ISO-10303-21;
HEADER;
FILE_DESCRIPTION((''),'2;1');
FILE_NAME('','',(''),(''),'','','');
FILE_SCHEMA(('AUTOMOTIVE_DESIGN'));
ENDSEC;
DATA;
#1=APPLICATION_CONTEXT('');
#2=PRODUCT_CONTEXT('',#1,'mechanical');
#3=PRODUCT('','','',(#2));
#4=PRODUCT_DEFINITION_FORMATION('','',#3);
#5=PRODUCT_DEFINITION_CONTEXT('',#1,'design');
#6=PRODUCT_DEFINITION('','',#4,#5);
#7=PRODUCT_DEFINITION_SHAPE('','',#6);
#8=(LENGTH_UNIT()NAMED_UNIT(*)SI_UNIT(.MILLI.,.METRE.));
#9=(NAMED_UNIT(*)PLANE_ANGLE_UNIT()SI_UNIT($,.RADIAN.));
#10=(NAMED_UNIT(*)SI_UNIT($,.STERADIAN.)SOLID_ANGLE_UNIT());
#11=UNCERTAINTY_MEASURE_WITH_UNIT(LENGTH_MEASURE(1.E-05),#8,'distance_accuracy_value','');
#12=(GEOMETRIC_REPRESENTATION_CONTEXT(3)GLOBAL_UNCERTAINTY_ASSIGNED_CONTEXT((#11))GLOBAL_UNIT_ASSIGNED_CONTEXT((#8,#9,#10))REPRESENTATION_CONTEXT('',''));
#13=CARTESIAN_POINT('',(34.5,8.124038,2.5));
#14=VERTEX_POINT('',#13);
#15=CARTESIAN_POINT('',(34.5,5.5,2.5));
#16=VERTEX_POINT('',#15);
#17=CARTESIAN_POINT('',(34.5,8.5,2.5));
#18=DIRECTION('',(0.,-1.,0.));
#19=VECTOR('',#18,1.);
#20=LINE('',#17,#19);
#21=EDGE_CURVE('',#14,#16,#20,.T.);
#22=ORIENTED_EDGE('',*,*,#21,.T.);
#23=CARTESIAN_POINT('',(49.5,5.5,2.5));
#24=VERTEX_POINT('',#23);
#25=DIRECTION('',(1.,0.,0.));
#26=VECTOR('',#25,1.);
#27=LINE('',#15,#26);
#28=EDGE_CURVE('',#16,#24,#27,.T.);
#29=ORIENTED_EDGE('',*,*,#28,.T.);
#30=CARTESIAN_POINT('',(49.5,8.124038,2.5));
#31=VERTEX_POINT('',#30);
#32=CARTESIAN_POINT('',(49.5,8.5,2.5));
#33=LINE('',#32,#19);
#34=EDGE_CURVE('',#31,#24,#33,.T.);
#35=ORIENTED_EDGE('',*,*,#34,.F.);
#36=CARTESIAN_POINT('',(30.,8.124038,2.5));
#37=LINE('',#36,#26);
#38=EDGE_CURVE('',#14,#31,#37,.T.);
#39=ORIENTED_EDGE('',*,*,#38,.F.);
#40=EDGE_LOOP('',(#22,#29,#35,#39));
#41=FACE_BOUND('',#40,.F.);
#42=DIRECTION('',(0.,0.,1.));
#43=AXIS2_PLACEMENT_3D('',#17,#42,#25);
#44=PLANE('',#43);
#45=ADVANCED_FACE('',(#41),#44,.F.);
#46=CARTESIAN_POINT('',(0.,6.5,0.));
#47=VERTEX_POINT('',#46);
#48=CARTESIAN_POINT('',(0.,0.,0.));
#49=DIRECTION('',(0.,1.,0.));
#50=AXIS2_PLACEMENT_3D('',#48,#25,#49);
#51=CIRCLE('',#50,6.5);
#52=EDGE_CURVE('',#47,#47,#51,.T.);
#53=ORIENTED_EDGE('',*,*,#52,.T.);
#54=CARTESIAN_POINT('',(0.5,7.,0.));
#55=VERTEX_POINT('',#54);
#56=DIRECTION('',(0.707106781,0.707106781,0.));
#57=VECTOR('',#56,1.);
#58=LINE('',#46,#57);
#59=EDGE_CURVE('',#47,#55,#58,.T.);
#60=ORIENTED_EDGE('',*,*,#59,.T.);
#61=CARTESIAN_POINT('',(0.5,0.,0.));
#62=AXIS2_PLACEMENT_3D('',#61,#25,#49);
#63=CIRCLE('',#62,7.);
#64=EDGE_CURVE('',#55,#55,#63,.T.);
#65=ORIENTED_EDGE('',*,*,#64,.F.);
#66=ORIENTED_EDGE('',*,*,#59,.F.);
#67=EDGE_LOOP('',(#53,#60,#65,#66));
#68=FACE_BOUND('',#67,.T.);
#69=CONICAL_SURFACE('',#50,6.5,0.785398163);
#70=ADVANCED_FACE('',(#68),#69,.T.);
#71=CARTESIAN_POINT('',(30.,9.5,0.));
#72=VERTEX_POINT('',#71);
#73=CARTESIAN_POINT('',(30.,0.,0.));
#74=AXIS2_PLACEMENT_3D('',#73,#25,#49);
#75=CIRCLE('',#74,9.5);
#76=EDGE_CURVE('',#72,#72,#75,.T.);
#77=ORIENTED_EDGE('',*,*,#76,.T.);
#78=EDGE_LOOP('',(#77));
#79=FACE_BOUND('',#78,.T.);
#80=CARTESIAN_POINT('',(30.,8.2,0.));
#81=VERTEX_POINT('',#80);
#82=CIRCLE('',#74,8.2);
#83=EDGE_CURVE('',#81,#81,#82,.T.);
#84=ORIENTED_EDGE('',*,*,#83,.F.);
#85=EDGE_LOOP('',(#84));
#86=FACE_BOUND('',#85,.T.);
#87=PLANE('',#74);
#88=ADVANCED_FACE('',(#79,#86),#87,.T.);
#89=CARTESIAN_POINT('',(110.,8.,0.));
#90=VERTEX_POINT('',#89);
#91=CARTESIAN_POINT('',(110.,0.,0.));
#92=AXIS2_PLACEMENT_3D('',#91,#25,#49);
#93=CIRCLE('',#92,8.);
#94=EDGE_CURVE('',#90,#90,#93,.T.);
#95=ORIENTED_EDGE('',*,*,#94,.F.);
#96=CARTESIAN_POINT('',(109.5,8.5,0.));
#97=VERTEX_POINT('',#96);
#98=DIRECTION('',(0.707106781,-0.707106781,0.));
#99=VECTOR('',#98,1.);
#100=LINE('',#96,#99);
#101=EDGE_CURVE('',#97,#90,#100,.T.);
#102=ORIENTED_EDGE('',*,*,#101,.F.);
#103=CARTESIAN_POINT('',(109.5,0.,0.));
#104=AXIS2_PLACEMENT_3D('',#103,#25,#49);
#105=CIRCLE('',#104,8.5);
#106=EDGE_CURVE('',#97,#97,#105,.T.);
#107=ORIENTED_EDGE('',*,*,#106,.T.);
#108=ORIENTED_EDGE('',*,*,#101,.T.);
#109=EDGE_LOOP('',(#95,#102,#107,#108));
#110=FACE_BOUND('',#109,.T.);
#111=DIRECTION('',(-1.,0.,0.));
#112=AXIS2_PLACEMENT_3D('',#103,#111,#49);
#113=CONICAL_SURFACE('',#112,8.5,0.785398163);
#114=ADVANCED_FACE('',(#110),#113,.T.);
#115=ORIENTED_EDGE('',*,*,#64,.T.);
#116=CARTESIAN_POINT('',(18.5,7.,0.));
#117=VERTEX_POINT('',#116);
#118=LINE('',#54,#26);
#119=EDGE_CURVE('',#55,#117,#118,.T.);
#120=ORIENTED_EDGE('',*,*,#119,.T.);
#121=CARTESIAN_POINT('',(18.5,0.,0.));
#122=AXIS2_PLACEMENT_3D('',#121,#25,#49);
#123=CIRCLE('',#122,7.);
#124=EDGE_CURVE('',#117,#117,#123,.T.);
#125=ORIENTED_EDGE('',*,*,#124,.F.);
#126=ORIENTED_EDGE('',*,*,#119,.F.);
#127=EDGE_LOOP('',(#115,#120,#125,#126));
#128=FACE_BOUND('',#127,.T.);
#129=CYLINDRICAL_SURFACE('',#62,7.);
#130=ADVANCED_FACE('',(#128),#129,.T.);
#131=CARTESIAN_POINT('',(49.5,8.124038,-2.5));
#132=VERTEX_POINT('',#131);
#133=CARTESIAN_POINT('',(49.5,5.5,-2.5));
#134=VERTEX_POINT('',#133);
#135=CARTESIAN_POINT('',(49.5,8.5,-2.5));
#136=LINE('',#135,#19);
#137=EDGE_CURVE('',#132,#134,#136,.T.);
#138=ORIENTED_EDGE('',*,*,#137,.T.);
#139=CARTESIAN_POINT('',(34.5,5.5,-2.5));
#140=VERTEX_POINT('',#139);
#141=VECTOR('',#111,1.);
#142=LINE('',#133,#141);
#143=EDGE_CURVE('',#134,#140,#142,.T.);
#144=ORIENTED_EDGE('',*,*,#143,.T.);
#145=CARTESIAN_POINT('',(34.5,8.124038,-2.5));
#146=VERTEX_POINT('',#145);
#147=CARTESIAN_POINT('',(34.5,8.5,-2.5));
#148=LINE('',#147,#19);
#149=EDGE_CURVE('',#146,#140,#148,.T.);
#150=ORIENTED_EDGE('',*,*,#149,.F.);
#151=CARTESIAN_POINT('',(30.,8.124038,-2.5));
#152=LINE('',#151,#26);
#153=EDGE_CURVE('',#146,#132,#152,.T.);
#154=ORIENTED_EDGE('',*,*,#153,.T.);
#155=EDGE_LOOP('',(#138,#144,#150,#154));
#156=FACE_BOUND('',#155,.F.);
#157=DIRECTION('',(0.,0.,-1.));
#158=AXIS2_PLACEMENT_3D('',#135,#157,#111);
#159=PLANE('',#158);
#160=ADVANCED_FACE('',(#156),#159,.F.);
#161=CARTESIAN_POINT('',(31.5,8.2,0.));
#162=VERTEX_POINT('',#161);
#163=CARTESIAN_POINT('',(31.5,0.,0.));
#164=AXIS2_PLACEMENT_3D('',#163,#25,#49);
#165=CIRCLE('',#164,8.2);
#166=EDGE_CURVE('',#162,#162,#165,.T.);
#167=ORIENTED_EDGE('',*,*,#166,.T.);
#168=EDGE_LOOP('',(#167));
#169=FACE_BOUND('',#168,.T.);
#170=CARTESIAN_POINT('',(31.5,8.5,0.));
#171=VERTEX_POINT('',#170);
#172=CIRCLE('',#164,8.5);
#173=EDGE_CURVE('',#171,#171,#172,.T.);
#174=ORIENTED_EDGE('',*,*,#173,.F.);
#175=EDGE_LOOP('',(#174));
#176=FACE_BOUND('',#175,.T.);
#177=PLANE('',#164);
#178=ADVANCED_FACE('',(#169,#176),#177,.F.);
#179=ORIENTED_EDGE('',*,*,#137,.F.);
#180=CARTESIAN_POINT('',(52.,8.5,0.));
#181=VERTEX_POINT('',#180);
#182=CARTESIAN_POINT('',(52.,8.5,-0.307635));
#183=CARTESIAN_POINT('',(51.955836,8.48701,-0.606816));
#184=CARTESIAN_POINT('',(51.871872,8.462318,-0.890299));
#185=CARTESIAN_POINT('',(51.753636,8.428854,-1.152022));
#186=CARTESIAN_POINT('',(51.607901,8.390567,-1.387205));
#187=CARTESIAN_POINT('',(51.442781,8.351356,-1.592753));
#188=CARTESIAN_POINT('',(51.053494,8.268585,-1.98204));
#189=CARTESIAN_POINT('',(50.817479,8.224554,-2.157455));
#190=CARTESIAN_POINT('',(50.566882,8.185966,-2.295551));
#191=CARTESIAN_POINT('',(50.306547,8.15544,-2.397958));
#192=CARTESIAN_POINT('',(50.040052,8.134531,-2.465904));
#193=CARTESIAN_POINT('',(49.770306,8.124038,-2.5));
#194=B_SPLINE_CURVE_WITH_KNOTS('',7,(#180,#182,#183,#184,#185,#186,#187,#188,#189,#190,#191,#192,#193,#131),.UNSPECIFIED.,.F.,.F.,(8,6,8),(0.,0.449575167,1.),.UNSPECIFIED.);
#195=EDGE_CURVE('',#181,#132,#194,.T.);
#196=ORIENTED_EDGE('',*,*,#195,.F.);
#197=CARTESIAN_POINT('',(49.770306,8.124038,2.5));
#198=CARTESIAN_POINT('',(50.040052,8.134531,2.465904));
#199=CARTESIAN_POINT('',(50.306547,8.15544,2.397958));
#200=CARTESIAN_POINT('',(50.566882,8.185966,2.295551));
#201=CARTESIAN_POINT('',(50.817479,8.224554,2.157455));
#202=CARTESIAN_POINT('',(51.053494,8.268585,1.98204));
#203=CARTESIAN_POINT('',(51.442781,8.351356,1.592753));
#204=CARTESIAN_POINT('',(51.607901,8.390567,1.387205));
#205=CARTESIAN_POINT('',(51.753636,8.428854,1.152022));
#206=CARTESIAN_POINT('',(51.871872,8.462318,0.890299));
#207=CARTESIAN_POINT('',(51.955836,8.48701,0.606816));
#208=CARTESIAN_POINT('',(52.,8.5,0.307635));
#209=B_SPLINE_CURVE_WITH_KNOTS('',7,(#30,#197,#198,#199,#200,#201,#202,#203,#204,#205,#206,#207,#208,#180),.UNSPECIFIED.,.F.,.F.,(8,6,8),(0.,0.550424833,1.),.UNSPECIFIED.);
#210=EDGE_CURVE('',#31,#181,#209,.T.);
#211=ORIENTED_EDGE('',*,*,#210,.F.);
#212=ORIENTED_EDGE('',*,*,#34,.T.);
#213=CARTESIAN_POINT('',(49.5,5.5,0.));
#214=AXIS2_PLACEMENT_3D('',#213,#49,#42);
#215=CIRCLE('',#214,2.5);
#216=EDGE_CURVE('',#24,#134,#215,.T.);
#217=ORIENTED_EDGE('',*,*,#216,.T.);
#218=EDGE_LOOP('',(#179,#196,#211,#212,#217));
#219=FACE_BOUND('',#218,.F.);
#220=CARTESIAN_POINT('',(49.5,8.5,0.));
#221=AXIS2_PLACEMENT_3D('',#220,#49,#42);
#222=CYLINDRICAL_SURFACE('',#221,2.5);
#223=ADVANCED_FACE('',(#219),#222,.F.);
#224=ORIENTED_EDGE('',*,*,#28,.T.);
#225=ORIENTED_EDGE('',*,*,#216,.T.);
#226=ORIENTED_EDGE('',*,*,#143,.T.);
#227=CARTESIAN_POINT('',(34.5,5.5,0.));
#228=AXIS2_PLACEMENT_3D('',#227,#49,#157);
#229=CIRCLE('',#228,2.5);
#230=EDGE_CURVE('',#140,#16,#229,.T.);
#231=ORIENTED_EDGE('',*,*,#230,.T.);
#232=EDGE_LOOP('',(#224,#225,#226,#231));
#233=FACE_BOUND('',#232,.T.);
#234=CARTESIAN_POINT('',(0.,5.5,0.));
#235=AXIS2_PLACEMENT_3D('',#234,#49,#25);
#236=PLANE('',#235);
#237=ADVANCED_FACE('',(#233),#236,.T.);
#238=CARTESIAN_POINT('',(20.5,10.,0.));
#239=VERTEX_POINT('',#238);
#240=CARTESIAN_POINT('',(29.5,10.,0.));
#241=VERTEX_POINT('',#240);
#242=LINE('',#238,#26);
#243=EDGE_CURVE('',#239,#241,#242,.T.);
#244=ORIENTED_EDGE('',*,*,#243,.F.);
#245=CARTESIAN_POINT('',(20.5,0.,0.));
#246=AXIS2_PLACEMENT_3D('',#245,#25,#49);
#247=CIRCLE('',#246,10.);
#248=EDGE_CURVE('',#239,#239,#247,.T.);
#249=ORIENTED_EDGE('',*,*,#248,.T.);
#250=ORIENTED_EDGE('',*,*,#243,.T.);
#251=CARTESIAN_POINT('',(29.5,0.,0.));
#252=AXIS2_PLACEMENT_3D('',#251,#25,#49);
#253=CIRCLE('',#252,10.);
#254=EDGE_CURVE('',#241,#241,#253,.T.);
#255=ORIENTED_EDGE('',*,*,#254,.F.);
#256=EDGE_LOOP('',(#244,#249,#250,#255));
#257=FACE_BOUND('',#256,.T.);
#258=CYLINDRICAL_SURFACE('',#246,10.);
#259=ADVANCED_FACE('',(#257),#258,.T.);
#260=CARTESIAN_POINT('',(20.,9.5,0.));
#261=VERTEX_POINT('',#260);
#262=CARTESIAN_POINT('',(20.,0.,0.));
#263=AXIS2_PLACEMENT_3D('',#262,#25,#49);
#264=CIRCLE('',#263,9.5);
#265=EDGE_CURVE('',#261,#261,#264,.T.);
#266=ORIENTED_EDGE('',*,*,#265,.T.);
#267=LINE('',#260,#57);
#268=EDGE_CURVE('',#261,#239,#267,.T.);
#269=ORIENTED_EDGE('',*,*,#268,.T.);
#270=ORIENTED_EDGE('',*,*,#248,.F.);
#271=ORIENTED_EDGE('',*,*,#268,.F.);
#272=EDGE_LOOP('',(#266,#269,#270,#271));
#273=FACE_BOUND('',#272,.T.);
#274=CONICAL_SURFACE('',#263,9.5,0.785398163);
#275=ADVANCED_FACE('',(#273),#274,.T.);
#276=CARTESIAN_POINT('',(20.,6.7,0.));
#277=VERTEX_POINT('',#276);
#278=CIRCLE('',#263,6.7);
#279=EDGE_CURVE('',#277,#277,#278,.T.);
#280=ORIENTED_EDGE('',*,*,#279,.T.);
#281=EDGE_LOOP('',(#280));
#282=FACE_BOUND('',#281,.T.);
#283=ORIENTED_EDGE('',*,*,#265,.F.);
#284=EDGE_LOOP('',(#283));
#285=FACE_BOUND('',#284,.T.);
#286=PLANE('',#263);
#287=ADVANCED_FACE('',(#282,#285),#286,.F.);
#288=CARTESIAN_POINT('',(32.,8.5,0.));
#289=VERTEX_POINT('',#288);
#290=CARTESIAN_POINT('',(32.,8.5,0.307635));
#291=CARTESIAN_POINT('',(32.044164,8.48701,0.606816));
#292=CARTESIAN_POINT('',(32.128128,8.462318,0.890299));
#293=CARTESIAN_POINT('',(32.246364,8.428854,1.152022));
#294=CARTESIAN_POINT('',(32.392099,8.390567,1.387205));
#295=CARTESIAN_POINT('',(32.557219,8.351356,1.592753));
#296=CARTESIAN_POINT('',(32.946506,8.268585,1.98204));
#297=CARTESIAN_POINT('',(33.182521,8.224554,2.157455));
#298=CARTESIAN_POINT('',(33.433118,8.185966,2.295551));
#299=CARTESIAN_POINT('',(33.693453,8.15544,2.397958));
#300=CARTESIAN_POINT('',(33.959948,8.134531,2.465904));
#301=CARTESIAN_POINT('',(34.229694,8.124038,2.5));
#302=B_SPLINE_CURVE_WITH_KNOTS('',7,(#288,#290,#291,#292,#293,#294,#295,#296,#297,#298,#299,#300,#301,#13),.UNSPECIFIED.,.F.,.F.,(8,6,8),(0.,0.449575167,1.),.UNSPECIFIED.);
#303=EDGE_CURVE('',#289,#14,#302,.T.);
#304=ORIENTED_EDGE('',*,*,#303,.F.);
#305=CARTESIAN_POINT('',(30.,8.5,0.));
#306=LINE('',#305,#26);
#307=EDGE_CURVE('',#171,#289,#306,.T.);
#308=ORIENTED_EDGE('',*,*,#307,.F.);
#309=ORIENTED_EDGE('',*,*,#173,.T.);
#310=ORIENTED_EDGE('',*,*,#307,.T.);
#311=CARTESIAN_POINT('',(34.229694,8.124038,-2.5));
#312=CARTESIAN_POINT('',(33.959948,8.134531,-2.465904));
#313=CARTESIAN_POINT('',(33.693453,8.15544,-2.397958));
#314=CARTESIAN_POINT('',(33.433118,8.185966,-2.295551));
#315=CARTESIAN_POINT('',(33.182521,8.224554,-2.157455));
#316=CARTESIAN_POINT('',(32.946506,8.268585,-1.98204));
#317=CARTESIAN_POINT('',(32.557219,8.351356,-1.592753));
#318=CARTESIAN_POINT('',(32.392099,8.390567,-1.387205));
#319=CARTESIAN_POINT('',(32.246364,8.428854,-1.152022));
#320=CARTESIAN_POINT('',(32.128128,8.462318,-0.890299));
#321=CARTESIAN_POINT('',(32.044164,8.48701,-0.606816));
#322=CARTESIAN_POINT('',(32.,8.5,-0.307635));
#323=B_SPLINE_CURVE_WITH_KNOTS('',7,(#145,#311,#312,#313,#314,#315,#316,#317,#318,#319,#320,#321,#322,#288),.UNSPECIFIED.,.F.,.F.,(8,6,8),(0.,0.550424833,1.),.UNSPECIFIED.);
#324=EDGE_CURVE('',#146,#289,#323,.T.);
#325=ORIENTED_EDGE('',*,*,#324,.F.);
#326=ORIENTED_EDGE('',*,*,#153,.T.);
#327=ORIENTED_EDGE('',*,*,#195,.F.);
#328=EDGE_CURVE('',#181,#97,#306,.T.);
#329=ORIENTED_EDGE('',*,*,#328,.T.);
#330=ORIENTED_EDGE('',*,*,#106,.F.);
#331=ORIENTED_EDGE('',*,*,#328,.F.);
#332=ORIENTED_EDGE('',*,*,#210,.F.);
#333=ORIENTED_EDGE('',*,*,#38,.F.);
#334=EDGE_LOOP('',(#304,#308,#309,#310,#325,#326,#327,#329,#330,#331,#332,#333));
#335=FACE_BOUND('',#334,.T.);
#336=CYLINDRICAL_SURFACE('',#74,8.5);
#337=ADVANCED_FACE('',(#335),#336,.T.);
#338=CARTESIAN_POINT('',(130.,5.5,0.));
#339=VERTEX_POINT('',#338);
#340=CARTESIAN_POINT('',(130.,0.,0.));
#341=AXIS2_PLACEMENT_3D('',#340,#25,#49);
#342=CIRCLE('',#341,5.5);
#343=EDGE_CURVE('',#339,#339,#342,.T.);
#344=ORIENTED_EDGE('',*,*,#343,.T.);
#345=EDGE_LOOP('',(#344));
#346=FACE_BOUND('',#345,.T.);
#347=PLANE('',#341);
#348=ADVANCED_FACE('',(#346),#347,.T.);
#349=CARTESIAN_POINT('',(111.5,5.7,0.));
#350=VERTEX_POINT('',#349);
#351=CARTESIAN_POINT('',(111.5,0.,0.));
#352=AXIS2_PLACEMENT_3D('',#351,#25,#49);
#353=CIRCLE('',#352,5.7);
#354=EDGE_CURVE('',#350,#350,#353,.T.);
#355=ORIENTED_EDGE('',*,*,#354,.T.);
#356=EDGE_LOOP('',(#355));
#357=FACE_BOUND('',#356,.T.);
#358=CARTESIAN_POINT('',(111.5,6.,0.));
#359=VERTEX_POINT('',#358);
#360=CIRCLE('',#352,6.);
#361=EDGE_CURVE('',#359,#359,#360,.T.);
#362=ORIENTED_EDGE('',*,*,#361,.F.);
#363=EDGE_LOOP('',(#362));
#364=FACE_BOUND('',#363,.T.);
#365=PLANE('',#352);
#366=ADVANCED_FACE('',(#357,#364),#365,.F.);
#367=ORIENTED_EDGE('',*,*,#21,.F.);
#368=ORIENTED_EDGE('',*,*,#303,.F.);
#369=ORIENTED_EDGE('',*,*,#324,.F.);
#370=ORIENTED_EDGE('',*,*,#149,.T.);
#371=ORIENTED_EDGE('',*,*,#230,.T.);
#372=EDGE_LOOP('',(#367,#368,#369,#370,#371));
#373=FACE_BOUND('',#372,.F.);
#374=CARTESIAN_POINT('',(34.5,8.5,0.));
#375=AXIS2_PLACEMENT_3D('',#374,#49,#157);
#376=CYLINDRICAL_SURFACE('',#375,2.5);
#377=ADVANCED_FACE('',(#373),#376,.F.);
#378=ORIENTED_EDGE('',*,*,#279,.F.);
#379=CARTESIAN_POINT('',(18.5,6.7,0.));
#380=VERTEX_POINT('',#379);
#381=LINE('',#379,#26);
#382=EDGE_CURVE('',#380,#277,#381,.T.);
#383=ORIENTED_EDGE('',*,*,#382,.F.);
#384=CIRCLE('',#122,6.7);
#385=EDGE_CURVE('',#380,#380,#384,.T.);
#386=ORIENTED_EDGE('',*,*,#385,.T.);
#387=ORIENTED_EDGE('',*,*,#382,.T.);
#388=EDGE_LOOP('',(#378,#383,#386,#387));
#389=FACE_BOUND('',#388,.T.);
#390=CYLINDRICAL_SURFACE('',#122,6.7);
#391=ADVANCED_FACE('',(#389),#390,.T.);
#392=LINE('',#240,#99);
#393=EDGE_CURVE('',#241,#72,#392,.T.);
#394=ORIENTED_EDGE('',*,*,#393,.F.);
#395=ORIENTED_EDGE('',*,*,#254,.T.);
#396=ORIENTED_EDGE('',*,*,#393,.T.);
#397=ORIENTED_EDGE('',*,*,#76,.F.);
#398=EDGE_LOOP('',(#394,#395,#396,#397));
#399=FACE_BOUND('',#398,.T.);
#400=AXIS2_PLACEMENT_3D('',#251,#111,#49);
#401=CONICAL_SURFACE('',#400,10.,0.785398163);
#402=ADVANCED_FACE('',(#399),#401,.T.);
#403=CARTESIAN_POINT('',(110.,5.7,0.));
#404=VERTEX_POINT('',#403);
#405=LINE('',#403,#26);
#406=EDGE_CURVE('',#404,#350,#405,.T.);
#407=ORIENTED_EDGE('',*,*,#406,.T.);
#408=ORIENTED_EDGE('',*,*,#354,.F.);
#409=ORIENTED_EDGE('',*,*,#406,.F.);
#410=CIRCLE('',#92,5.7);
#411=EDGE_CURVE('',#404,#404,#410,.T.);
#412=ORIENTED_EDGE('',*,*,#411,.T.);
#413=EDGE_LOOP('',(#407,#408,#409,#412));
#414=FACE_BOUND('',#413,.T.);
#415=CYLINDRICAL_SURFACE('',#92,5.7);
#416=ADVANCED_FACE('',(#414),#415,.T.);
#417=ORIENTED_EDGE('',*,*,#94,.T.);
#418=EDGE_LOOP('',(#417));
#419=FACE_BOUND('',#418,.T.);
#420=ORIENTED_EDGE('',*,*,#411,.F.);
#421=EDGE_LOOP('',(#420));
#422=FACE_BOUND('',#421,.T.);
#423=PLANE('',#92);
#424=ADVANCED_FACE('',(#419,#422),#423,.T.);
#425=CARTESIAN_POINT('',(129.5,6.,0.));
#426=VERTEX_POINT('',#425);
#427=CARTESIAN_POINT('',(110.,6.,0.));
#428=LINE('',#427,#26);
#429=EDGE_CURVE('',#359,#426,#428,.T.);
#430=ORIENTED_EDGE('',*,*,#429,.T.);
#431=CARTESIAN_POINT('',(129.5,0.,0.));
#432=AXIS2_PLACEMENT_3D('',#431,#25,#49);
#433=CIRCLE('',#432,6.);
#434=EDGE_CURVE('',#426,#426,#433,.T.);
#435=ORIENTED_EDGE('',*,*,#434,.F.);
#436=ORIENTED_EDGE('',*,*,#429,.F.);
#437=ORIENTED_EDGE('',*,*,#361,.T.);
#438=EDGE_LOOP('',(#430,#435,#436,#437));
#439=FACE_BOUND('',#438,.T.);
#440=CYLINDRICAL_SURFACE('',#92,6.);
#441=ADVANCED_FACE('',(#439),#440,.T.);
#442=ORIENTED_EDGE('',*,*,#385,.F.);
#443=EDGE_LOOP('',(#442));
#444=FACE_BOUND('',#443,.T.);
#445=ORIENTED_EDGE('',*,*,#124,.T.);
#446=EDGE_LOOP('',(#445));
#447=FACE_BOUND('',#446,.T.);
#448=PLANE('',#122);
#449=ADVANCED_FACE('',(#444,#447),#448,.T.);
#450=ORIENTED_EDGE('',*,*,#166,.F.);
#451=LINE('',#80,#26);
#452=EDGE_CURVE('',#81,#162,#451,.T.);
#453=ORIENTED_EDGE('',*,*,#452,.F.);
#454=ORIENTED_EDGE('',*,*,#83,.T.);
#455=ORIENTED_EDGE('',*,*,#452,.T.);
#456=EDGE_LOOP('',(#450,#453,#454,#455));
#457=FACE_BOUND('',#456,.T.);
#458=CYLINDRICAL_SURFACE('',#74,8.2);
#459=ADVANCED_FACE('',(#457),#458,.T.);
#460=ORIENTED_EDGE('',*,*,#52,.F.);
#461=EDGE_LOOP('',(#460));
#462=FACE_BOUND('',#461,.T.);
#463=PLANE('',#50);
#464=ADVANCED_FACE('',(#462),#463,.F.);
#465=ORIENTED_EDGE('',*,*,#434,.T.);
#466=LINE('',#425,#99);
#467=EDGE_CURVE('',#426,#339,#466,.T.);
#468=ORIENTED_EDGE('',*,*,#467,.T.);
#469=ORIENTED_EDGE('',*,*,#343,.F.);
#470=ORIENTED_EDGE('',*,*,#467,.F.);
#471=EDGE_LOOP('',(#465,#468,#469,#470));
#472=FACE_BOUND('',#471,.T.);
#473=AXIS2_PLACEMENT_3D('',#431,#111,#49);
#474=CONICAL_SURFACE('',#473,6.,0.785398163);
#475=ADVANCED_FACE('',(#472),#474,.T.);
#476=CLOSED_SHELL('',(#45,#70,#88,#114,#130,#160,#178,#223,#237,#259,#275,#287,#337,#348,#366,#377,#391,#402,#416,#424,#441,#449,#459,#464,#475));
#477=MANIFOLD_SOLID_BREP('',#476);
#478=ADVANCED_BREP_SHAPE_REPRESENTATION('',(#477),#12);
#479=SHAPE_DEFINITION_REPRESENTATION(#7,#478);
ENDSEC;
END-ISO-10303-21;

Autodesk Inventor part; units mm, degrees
ref_plane "YZ Plane" through (0, 0, 0) normal (1, 0, 0) x (0, 1, 0)
ref_plane "XZ Plane" through (0, 0, 0) normal (0, 1, 0) x (-1, 0, 0)
ref_plane "XY Plane" through (0, 0, 0) normal (0, 0, 1) x (1, 0, 0)
sketch "Sketch_1" plane through (0, 0, 0) normal (0, 0, 1) x (1, 0, 0)
  line L0 (130, 0) -> (0, 0)
  line L1 (0, 0) -> (0, 6.5)
  line L2 (0, 6.5) -> (0.5, 7)
  line L3 (0.5, 7) -> (20, 7)
  line L4 (20, 7) -> (20, 9.5)
  line L5 (20, 9.5) -> (20.5, 10)
  line L6 (20.5, 10) -> (29.5, 10)
  line L7 (29.5, 10) -> (30, 9.5)
  line L8 (30, 9.5) -> (30, 8.5)
  line L9 (30, 8.5) -> (109.5, 8.5)
  line L10 (109.5, 8.5) -> (110, 8)
  line L11 (110, 8) -> (110, 6)
  line L12 (110, 6) -> (129.5, 6)
  line L13 (129.5, 6) -> (130, 5.5)
  line L14 (130, 5.5) -> (130, 0)
  line L15 (130, 0) -> (0, 0)
revolve "Revolution1" add sketch "Sketch_1" angle 360 about axis through (130, 0, 0) along (1, 0, 0)
sketch "Sketch_2" plane through (0, 0, 0) normal (0, 0, 1) x (1, 0, 0)
  line L0 (50, 0) -> (-50, 0)
  line L1 (18.5, 6.7) -> (20, 6.7)
  line L2 (20, 6.7) -> (20, 20.7)
  line L3 (20, 20.7) -> (18.5, 20.7)
  line L4 (18.5, 20.7) -> (18.5, 6.7)
revolve "Revolution2" cut sketch "Sketch_2" angle 360 about axis through (50, 0, 0) along (1, 0, 0)
sketch "Sketch_3" plane through (0, 0, 0) normal (0, 0, 1) x (1, 0, 0)
  line L0 (260, 0) -> (-260, 0)
  line L1 (30, 8.2) -> (31.5, 8.2)
  line L2 (31.5, 8.2) -> (31.5, 22.2)
  line L3 (31.5, 22.2) -> (30, 22.2)
  line L4 (30, 22.2) -> (30, 8.2)
revolve "Revolution3" cut sketch "Sketch_3" angle 360 about axis through (260, 0, 0) along (1, 0, 0)
sketch "Sketch_4" plane through (0, 0, 0) normal (0, 0, 1) x (1, 0, 0)
  line L0 (50, 0) -> (-50, 0)
  line L1 (110, 5.7) -> (111.5, 5.7)
  line L2 (111.5, 5.7) -> (111.5, 19.7)
  line L3 (111.5, 19.7) -> (110, 19.7)
  line L4 (110, 19.7) -> (110, 5.7)
revolve "Revolution4" cut sketch "Sketch_4" angle 360 about axis through (50, 0, 0) along (1, 0, 0)
sketch "Sketch_15" plane through (0, 8.5, 0) normal (0, 1, 0) x (1, 0, 0)
  arc A0 (34.5, 2.5) -> (34.5, -2.5) centre (34.5, 0) ccw
  line L0 (34.5, -2.5) -> (49.5, -2.5)
  arc A1 (49.5, -2.5) -> (49.5, 2.5) centre (49.5, 0) ccw
  line L1 (49.5, 2.5) -> (34.5, 2.5)
extrude "Extrusion1" cut sketch "Sketch_15" against normal blind 3
properties part number "KZFC17-130-T10-P14-LA20-Q12-LB20-KC58-HC20_b"
